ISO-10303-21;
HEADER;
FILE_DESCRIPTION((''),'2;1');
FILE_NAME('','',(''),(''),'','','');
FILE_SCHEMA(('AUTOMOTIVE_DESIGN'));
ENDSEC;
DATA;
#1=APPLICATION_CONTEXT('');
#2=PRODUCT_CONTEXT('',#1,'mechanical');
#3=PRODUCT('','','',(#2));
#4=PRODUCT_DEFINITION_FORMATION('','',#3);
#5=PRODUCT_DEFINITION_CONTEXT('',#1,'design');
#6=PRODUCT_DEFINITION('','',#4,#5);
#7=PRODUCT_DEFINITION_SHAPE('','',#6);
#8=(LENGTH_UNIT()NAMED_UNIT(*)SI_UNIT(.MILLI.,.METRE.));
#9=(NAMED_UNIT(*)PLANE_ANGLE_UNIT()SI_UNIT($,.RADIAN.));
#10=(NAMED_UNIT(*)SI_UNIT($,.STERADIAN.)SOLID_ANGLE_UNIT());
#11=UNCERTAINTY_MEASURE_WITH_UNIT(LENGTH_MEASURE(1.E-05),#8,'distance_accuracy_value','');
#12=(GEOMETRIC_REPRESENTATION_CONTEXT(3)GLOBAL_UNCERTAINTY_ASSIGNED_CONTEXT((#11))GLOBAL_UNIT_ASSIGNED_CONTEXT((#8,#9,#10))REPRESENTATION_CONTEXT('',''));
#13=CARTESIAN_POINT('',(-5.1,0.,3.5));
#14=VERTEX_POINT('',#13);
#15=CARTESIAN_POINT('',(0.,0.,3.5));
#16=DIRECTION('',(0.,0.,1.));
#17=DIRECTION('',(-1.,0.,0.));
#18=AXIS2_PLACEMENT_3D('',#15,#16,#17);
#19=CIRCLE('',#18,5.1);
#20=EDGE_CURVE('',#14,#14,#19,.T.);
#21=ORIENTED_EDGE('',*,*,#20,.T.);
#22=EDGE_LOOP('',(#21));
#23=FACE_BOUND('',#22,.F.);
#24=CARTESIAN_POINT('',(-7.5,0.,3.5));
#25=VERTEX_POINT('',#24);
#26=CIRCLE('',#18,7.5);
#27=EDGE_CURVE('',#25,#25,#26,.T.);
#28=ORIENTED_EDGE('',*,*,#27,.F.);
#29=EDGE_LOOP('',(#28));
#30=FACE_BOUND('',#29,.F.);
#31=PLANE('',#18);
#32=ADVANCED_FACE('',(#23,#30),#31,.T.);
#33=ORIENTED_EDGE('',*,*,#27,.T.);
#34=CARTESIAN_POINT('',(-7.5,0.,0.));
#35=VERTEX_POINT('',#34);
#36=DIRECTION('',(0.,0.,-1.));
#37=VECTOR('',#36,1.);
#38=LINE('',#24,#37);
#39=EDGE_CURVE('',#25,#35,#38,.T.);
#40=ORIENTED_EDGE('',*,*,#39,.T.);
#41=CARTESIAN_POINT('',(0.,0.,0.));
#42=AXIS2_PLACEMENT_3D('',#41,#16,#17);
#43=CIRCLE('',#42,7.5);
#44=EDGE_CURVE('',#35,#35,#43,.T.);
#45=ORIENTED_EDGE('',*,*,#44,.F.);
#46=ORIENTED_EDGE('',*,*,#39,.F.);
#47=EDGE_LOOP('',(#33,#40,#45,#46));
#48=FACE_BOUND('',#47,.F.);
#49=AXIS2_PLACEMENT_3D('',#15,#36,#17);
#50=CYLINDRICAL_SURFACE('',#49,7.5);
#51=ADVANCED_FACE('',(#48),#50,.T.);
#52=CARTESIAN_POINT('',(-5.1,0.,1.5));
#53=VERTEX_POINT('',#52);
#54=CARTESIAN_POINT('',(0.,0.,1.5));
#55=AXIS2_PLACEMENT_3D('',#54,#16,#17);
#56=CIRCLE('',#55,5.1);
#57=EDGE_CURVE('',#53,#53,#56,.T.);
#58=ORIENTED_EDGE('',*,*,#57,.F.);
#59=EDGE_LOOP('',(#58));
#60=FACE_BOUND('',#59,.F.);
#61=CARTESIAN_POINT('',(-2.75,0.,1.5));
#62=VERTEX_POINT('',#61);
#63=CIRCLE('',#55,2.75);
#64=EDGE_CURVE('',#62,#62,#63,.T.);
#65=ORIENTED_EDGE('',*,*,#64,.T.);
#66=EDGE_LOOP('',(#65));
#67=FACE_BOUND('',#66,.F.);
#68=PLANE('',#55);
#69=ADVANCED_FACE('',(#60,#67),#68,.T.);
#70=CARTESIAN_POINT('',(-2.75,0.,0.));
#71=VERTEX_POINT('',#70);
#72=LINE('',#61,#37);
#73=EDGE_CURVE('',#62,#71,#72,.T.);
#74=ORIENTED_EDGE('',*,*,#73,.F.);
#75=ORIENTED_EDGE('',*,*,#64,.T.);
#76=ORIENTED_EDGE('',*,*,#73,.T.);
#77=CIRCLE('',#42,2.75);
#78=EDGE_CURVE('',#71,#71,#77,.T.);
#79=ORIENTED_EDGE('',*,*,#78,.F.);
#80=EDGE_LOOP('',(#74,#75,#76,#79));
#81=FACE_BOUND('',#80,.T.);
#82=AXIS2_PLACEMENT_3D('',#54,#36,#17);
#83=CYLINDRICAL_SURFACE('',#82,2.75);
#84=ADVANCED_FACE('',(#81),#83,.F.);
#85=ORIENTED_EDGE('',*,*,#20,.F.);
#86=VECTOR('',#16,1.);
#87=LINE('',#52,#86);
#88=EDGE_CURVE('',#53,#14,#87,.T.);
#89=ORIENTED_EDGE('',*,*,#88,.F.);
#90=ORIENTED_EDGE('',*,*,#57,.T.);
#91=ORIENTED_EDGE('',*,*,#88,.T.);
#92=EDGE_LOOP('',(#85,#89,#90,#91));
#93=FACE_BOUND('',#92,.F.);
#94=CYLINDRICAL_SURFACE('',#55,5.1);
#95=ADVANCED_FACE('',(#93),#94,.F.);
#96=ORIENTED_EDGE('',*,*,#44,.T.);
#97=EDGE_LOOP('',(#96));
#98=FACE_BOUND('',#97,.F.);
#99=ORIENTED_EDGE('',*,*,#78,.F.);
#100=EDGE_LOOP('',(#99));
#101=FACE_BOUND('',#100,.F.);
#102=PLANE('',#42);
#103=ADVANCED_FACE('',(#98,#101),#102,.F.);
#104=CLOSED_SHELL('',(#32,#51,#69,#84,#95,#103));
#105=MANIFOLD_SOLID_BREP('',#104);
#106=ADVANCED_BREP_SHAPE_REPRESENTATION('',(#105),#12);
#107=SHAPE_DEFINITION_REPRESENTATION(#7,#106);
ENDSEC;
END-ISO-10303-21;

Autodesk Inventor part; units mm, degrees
ref_plane "YZ Plane" through (0, 0, 0) normal (1, 0, 0) x (0, 1, 0)
ref_plane "XZ Plane" through (0, 0, 0) normal (0, 1, 0) x (-1, 0, 0)
ref_plane "XY Plane" through (0, 0, 0) normal (0, 0, 1) x (1, 0, 0)
sketch "Sketch1" plane through (0, 0, 0) normal (0, 1, 0) x (-1, 0, 0)
  line L0 (0, 0) -> (0, 3.5)
  line L1 (5.1, 3.5) -> (7.5, 3.5)
  line L2 (7.5, 3.5) -> (7.5, 0)
  line L3 (7.5, 0) -> (2.75, 0)
  line L4 (2.75, 1.5) -> (5.1, 1.5)
  line L5 (5.1, 1.5) -> (5.1, 3.5)
  line L6 (2.75, 1.5) -> (2.75, 0)
  dimension "d0" = 15
  dimension "d1" = 10.2
  dimension "d2" = 5.5
  dimension "d3" = 2
  dimension "d4" = 3.5
revolve "Revolution1" add sketch "Sketch1" angle 360 about axis through (0, 0, 0) along (0, 0, 1)
properties part number "UZB" material "Stainless Steel"
